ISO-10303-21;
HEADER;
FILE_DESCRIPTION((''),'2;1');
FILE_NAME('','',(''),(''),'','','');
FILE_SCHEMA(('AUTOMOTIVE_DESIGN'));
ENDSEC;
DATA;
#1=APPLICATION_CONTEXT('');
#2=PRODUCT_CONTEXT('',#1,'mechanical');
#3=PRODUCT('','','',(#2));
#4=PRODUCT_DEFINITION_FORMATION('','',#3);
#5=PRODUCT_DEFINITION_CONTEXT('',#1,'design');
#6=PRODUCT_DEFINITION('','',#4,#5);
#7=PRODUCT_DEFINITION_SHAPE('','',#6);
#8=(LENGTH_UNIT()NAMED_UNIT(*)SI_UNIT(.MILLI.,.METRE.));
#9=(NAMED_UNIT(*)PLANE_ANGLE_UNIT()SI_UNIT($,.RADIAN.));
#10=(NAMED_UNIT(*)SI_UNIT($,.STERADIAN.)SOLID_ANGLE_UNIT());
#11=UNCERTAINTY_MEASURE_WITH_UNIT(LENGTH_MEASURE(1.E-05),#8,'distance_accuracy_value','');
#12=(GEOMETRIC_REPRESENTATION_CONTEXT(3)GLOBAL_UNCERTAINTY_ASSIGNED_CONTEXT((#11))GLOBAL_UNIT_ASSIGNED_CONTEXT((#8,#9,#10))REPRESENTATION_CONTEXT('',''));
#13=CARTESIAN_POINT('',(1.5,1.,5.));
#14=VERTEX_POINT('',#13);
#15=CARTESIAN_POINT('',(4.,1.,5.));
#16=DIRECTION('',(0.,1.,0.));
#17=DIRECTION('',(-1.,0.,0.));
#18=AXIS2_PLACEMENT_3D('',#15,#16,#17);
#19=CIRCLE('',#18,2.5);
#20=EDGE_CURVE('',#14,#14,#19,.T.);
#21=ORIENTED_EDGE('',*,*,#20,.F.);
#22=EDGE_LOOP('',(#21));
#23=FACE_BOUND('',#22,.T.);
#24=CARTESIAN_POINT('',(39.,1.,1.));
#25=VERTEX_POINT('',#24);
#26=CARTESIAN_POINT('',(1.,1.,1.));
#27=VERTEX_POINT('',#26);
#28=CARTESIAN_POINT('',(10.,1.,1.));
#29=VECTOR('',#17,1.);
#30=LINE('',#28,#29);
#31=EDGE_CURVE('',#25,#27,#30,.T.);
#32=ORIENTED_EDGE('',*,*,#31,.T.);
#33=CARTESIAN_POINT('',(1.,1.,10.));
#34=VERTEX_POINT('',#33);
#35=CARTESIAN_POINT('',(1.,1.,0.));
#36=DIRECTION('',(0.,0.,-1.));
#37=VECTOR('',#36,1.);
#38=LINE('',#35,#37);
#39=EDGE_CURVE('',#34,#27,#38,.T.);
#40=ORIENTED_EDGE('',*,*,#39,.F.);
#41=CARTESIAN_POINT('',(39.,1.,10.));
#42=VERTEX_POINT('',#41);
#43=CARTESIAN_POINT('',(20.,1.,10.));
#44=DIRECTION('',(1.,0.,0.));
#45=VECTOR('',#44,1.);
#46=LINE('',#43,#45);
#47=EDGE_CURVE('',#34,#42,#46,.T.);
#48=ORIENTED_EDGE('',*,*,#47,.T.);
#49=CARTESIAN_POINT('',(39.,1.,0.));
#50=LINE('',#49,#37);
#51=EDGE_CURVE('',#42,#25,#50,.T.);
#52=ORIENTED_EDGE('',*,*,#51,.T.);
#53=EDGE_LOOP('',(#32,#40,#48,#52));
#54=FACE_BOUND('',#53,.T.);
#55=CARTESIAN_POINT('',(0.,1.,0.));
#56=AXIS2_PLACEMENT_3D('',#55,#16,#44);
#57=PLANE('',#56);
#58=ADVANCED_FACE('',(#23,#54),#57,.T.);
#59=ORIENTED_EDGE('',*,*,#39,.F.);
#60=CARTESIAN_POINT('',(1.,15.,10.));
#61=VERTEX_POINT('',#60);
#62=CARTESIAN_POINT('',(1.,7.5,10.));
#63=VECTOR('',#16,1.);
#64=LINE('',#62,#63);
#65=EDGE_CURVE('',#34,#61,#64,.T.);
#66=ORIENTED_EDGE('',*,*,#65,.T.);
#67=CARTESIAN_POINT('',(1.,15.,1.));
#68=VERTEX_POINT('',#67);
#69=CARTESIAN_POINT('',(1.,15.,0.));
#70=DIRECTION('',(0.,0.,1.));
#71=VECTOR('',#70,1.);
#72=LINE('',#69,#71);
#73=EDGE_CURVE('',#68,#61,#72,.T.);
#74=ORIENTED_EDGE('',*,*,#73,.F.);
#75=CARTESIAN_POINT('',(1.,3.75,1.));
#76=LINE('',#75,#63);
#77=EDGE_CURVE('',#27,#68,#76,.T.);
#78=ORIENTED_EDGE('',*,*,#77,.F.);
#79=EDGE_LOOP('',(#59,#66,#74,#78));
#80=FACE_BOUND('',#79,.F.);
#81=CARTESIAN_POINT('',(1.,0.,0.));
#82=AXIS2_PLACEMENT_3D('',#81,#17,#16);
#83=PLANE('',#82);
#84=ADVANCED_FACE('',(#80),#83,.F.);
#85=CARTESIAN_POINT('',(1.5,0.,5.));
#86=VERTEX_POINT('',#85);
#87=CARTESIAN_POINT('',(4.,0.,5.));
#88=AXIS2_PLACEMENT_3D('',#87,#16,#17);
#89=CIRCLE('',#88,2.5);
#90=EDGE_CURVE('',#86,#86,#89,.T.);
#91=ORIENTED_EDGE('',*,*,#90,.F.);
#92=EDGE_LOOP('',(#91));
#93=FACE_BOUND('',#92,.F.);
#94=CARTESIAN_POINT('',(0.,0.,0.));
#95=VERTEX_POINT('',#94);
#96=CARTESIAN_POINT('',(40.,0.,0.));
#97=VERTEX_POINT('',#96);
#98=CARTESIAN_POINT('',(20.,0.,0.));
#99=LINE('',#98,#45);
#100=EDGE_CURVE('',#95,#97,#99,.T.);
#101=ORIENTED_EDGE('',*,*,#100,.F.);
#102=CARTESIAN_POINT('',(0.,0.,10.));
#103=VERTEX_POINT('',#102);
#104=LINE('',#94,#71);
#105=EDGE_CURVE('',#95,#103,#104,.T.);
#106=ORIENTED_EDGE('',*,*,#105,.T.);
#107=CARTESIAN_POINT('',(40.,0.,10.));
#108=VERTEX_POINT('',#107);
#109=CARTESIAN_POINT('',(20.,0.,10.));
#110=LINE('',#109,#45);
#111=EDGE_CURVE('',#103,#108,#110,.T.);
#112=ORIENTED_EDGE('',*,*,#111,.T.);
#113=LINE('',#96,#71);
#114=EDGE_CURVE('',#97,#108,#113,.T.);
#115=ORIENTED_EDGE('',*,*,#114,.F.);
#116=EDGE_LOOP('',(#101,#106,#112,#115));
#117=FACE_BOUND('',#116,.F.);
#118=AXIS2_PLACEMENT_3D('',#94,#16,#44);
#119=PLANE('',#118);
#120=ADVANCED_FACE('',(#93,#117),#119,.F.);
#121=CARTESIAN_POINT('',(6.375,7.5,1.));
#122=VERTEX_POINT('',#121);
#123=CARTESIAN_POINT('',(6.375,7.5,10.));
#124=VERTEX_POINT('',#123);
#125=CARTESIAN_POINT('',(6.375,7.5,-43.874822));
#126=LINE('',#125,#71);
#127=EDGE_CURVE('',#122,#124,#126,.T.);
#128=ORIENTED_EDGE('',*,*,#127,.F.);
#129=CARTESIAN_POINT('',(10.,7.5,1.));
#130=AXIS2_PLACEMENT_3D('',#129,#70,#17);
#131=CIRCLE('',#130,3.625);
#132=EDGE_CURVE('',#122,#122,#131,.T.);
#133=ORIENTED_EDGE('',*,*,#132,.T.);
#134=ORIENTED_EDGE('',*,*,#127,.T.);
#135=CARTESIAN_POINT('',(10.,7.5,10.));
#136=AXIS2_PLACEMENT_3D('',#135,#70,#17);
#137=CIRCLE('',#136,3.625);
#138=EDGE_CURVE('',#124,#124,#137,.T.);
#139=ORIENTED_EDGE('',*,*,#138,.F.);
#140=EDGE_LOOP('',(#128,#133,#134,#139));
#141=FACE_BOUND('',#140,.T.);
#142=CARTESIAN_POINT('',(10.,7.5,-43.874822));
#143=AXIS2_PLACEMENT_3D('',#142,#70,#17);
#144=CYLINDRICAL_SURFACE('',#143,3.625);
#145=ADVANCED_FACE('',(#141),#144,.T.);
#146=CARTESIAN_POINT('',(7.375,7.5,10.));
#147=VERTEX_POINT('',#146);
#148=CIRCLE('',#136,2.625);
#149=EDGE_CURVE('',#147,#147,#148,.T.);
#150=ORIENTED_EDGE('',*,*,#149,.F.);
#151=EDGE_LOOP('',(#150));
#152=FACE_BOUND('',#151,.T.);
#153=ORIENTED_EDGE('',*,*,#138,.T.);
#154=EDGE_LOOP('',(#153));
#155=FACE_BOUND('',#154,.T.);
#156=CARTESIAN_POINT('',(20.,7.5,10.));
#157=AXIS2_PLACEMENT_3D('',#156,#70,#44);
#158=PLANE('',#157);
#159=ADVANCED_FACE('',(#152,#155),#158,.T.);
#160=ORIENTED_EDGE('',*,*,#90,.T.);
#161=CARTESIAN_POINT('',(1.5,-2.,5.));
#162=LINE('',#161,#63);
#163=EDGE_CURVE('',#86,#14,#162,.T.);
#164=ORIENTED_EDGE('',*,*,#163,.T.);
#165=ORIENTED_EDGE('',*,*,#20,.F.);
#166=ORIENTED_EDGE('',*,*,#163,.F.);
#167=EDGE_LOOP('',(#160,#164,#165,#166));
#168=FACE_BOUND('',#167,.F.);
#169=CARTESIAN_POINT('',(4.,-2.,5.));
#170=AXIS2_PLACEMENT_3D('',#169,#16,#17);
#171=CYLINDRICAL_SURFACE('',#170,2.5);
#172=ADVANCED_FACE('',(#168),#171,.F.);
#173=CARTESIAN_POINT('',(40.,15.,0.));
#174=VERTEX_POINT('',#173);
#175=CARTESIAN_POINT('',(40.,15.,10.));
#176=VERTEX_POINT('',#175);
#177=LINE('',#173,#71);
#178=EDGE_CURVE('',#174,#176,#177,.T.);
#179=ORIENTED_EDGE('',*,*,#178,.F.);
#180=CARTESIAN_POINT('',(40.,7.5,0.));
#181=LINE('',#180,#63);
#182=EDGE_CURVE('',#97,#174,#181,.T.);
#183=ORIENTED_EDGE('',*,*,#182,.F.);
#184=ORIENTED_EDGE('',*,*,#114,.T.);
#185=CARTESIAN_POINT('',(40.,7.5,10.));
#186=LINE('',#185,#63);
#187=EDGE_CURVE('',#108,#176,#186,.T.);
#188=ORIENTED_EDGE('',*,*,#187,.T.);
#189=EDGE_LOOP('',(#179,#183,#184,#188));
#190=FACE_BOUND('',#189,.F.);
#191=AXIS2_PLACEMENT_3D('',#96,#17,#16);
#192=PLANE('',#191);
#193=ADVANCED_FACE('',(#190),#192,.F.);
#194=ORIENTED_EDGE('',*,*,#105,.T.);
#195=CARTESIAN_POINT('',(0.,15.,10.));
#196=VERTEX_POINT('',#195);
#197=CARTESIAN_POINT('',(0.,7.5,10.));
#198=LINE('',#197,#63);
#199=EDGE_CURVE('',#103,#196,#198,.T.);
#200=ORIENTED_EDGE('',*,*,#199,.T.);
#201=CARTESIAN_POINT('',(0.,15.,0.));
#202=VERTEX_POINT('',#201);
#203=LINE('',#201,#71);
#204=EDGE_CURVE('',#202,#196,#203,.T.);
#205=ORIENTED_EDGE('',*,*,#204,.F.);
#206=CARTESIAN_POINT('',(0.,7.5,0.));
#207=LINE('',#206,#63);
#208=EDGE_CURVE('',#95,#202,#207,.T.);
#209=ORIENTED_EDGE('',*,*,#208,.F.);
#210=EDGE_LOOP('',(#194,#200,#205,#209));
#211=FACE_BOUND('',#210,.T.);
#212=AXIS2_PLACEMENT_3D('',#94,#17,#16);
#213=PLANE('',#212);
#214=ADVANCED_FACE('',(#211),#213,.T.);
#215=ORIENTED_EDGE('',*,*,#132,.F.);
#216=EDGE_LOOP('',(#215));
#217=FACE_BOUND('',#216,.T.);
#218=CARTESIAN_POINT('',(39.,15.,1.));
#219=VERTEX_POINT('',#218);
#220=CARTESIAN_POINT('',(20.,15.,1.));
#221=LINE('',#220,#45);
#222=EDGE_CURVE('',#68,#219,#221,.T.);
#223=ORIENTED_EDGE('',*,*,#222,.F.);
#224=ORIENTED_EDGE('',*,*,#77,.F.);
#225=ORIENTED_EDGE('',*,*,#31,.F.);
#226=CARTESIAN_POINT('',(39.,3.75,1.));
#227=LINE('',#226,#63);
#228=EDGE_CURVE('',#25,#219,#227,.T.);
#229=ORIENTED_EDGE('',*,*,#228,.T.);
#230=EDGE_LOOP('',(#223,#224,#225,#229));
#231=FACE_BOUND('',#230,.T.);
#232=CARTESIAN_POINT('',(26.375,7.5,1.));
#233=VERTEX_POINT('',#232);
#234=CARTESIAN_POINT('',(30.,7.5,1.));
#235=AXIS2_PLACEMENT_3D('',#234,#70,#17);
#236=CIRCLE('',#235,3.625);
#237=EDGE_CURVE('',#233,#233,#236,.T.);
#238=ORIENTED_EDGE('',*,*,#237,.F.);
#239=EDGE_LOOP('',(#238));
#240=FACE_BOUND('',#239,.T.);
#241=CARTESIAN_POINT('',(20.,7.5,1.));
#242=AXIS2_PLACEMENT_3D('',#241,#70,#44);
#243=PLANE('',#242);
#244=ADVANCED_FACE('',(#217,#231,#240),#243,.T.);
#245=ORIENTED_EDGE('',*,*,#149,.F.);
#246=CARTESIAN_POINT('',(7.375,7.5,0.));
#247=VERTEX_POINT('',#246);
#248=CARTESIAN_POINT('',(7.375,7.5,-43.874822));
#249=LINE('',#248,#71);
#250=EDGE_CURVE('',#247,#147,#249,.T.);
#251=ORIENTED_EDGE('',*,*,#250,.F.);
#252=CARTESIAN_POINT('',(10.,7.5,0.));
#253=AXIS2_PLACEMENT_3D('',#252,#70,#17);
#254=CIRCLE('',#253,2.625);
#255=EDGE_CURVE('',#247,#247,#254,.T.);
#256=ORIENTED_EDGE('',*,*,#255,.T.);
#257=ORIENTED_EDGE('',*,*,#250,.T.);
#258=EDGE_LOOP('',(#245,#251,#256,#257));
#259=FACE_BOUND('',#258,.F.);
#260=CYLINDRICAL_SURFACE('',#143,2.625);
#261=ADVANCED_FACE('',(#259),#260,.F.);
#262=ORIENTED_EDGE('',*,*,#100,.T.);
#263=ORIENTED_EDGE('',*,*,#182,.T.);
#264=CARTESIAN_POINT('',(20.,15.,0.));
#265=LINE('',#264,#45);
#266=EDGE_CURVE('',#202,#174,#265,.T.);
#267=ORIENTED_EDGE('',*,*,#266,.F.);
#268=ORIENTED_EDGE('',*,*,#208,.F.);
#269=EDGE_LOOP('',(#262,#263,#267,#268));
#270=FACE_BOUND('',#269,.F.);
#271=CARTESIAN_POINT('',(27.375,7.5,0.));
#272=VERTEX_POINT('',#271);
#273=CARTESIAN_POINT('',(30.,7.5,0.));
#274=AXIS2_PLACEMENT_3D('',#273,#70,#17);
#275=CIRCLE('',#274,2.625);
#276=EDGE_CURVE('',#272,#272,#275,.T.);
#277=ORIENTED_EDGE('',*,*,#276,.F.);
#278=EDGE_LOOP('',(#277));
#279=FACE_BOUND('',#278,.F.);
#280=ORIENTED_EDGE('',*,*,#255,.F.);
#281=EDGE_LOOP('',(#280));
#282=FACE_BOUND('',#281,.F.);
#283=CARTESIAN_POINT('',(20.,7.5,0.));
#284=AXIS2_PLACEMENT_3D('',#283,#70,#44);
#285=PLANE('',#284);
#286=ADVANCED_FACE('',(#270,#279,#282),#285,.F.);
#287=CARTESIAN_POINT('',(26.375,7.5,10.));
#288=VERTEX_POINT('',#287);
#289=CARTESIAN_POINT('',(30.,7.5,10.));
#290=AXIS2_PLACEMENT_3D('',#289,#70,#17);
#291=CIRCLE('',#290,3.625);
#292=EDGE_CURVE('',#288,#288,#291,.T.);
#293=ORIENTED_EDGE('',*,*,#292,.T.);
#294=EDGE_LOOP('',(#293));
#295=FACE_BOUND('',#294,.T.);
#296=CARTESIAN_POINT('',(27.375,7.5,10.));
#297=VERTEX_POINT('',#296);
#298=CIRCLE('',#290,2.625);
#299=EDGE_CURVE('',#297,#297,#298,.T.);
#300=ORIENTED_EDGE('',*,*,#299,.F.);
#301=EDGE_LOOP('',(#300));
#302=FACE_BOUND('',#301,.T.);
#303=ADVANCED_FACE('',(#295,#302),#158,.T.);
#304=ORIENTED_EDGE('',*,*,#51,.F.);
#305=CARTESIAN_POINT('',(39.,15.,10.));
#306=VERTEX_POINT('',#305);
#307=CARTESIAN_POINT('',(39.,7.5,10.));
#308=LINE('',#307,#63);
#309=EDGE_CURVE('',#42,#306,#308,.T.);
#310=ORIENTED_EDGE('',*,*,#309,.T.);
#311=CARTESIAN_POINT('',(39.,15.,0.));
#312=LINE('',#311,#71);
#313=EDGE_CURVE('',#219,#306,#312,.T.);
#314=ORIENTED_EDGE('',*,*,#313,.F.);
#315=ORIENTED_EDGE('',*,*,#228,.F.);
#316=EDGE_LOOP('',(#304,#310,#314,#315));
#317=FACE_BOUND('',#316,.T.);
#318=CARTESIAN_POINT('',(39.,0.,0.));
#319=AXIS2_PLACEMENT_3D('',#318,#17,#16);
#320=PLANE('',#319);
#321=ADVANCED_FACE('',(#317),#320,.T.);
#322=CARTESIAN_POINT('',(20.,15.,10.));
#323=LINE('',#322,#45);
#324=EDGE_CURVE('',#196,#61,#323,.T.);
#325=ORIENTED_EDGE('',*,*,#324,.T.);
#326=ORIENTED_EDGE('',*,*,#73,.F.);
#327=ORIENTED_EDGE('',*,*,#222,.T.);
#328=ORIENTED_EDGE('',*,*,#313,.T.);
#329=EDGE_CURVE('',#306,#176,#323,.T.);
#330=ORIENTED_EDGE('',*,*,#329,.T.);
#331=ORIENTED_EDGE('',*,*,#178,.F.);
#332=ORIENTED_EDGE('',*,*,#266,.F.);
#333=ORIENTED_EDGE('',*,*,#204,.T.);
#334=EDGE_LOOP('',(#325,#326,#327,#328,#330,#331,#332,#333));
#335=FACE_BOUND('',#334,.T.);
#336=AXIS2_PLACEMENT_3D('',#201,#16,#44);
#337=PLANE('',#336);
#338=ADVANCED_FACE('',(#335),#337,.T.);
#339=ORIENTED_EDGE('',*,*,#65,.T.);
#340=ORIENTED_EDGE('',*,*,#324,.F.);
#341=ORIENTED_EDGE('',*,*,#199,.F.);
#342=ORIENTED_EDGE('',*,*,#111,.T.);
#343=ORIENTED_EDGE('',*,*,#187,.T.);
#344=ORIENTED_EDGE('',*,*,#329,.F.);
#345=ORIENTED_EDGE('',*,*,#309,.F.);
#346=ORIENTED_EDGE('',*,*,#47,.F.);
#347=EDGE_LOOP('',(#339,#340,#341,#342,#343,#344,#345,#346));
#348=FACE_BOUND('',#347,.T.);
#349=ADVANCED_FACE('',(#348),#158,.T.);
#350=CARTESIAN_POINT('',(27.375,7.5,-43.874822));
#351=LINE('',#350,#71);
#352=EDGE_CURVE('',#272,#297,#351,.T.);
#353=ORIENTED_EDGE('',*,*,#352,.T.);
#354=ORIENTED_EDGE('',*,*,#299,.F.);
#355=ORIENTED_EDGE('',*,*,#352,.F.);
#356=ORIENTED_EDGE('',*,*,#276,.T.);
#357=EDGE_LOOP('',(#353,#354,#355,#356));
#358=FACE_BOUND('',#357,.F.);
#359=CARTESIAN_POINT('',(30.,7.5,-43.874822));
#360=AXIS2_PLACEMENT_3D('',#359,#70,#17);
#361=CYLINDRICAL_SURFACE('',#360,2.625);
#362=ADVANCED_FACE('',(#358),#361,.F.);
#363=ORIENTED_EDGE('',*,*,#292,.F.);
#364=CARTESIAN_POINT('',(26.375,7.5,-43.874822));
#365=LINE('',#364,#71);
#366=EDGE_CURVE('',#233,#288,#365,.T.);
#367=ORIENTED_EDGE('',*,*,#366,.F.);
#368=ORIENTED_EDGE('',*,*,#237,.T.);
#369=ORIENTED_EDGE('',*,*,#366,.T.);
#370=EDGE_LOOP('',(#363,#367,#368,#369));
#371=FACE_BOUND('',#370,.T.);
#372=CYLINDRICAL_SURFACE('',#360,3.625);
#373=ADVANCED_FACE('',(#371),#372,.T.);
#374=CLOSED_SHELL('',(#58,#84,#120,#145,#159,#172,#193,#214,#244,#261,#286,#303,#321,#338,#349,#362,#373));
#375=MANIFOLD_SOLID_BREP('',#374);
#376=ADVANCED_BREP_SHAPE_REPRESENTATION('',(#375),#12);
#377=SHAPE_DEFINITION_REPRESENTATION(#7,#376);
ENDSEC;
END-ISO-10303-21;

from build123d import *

# Parameters (mm, degrees)
F0_W     = 40
F0_H     = 15
F1_DEPTH = 10
F2_D     = 5.25
F3_T     = -1
F5_D     = 5
F5_DEPTH = 2
F5_TIP   = 1.5021515476


with BuildPart() as f1:
    # F0 (on Top) → F1 (new body)
    with BuildSketch(Plane.XY):
        with Locations((20, 7.5)):
            Rectangle(F0_W, F0_H)
    extrude(amount=F1_DEPTH)

    # F2 (through all)
    with Locations(Plane(origin=(0, 0, 0), x_dir=(1, 0, 0), z_dir=(0, 0, -1))):
        with Locations((10, -7.5), (30, -7.5)):
            Hole(F2_D / 2)

    # F3
    f3_openings = [f1.faces().sort_by_distance(p)[0] for p in [
        (20, 15, 5),
        (20, 7.5, 10),
    ]]
    offset(amount=F3_T, openings=f3_openings)

    # F5
    with Locations(Plane.XZ):
        with Locations((4, 5)):
            Hole(F5_D / 2, depth=F5_DEPTH)
            with Locations((0, 0, -(F5_DEPTH + F5_TIP / 2))):  # 118° drill point
                Cone(0, F5_D / 2, F5_TIP, mode=Mode.SUBTRACT)


solid = f1.part
